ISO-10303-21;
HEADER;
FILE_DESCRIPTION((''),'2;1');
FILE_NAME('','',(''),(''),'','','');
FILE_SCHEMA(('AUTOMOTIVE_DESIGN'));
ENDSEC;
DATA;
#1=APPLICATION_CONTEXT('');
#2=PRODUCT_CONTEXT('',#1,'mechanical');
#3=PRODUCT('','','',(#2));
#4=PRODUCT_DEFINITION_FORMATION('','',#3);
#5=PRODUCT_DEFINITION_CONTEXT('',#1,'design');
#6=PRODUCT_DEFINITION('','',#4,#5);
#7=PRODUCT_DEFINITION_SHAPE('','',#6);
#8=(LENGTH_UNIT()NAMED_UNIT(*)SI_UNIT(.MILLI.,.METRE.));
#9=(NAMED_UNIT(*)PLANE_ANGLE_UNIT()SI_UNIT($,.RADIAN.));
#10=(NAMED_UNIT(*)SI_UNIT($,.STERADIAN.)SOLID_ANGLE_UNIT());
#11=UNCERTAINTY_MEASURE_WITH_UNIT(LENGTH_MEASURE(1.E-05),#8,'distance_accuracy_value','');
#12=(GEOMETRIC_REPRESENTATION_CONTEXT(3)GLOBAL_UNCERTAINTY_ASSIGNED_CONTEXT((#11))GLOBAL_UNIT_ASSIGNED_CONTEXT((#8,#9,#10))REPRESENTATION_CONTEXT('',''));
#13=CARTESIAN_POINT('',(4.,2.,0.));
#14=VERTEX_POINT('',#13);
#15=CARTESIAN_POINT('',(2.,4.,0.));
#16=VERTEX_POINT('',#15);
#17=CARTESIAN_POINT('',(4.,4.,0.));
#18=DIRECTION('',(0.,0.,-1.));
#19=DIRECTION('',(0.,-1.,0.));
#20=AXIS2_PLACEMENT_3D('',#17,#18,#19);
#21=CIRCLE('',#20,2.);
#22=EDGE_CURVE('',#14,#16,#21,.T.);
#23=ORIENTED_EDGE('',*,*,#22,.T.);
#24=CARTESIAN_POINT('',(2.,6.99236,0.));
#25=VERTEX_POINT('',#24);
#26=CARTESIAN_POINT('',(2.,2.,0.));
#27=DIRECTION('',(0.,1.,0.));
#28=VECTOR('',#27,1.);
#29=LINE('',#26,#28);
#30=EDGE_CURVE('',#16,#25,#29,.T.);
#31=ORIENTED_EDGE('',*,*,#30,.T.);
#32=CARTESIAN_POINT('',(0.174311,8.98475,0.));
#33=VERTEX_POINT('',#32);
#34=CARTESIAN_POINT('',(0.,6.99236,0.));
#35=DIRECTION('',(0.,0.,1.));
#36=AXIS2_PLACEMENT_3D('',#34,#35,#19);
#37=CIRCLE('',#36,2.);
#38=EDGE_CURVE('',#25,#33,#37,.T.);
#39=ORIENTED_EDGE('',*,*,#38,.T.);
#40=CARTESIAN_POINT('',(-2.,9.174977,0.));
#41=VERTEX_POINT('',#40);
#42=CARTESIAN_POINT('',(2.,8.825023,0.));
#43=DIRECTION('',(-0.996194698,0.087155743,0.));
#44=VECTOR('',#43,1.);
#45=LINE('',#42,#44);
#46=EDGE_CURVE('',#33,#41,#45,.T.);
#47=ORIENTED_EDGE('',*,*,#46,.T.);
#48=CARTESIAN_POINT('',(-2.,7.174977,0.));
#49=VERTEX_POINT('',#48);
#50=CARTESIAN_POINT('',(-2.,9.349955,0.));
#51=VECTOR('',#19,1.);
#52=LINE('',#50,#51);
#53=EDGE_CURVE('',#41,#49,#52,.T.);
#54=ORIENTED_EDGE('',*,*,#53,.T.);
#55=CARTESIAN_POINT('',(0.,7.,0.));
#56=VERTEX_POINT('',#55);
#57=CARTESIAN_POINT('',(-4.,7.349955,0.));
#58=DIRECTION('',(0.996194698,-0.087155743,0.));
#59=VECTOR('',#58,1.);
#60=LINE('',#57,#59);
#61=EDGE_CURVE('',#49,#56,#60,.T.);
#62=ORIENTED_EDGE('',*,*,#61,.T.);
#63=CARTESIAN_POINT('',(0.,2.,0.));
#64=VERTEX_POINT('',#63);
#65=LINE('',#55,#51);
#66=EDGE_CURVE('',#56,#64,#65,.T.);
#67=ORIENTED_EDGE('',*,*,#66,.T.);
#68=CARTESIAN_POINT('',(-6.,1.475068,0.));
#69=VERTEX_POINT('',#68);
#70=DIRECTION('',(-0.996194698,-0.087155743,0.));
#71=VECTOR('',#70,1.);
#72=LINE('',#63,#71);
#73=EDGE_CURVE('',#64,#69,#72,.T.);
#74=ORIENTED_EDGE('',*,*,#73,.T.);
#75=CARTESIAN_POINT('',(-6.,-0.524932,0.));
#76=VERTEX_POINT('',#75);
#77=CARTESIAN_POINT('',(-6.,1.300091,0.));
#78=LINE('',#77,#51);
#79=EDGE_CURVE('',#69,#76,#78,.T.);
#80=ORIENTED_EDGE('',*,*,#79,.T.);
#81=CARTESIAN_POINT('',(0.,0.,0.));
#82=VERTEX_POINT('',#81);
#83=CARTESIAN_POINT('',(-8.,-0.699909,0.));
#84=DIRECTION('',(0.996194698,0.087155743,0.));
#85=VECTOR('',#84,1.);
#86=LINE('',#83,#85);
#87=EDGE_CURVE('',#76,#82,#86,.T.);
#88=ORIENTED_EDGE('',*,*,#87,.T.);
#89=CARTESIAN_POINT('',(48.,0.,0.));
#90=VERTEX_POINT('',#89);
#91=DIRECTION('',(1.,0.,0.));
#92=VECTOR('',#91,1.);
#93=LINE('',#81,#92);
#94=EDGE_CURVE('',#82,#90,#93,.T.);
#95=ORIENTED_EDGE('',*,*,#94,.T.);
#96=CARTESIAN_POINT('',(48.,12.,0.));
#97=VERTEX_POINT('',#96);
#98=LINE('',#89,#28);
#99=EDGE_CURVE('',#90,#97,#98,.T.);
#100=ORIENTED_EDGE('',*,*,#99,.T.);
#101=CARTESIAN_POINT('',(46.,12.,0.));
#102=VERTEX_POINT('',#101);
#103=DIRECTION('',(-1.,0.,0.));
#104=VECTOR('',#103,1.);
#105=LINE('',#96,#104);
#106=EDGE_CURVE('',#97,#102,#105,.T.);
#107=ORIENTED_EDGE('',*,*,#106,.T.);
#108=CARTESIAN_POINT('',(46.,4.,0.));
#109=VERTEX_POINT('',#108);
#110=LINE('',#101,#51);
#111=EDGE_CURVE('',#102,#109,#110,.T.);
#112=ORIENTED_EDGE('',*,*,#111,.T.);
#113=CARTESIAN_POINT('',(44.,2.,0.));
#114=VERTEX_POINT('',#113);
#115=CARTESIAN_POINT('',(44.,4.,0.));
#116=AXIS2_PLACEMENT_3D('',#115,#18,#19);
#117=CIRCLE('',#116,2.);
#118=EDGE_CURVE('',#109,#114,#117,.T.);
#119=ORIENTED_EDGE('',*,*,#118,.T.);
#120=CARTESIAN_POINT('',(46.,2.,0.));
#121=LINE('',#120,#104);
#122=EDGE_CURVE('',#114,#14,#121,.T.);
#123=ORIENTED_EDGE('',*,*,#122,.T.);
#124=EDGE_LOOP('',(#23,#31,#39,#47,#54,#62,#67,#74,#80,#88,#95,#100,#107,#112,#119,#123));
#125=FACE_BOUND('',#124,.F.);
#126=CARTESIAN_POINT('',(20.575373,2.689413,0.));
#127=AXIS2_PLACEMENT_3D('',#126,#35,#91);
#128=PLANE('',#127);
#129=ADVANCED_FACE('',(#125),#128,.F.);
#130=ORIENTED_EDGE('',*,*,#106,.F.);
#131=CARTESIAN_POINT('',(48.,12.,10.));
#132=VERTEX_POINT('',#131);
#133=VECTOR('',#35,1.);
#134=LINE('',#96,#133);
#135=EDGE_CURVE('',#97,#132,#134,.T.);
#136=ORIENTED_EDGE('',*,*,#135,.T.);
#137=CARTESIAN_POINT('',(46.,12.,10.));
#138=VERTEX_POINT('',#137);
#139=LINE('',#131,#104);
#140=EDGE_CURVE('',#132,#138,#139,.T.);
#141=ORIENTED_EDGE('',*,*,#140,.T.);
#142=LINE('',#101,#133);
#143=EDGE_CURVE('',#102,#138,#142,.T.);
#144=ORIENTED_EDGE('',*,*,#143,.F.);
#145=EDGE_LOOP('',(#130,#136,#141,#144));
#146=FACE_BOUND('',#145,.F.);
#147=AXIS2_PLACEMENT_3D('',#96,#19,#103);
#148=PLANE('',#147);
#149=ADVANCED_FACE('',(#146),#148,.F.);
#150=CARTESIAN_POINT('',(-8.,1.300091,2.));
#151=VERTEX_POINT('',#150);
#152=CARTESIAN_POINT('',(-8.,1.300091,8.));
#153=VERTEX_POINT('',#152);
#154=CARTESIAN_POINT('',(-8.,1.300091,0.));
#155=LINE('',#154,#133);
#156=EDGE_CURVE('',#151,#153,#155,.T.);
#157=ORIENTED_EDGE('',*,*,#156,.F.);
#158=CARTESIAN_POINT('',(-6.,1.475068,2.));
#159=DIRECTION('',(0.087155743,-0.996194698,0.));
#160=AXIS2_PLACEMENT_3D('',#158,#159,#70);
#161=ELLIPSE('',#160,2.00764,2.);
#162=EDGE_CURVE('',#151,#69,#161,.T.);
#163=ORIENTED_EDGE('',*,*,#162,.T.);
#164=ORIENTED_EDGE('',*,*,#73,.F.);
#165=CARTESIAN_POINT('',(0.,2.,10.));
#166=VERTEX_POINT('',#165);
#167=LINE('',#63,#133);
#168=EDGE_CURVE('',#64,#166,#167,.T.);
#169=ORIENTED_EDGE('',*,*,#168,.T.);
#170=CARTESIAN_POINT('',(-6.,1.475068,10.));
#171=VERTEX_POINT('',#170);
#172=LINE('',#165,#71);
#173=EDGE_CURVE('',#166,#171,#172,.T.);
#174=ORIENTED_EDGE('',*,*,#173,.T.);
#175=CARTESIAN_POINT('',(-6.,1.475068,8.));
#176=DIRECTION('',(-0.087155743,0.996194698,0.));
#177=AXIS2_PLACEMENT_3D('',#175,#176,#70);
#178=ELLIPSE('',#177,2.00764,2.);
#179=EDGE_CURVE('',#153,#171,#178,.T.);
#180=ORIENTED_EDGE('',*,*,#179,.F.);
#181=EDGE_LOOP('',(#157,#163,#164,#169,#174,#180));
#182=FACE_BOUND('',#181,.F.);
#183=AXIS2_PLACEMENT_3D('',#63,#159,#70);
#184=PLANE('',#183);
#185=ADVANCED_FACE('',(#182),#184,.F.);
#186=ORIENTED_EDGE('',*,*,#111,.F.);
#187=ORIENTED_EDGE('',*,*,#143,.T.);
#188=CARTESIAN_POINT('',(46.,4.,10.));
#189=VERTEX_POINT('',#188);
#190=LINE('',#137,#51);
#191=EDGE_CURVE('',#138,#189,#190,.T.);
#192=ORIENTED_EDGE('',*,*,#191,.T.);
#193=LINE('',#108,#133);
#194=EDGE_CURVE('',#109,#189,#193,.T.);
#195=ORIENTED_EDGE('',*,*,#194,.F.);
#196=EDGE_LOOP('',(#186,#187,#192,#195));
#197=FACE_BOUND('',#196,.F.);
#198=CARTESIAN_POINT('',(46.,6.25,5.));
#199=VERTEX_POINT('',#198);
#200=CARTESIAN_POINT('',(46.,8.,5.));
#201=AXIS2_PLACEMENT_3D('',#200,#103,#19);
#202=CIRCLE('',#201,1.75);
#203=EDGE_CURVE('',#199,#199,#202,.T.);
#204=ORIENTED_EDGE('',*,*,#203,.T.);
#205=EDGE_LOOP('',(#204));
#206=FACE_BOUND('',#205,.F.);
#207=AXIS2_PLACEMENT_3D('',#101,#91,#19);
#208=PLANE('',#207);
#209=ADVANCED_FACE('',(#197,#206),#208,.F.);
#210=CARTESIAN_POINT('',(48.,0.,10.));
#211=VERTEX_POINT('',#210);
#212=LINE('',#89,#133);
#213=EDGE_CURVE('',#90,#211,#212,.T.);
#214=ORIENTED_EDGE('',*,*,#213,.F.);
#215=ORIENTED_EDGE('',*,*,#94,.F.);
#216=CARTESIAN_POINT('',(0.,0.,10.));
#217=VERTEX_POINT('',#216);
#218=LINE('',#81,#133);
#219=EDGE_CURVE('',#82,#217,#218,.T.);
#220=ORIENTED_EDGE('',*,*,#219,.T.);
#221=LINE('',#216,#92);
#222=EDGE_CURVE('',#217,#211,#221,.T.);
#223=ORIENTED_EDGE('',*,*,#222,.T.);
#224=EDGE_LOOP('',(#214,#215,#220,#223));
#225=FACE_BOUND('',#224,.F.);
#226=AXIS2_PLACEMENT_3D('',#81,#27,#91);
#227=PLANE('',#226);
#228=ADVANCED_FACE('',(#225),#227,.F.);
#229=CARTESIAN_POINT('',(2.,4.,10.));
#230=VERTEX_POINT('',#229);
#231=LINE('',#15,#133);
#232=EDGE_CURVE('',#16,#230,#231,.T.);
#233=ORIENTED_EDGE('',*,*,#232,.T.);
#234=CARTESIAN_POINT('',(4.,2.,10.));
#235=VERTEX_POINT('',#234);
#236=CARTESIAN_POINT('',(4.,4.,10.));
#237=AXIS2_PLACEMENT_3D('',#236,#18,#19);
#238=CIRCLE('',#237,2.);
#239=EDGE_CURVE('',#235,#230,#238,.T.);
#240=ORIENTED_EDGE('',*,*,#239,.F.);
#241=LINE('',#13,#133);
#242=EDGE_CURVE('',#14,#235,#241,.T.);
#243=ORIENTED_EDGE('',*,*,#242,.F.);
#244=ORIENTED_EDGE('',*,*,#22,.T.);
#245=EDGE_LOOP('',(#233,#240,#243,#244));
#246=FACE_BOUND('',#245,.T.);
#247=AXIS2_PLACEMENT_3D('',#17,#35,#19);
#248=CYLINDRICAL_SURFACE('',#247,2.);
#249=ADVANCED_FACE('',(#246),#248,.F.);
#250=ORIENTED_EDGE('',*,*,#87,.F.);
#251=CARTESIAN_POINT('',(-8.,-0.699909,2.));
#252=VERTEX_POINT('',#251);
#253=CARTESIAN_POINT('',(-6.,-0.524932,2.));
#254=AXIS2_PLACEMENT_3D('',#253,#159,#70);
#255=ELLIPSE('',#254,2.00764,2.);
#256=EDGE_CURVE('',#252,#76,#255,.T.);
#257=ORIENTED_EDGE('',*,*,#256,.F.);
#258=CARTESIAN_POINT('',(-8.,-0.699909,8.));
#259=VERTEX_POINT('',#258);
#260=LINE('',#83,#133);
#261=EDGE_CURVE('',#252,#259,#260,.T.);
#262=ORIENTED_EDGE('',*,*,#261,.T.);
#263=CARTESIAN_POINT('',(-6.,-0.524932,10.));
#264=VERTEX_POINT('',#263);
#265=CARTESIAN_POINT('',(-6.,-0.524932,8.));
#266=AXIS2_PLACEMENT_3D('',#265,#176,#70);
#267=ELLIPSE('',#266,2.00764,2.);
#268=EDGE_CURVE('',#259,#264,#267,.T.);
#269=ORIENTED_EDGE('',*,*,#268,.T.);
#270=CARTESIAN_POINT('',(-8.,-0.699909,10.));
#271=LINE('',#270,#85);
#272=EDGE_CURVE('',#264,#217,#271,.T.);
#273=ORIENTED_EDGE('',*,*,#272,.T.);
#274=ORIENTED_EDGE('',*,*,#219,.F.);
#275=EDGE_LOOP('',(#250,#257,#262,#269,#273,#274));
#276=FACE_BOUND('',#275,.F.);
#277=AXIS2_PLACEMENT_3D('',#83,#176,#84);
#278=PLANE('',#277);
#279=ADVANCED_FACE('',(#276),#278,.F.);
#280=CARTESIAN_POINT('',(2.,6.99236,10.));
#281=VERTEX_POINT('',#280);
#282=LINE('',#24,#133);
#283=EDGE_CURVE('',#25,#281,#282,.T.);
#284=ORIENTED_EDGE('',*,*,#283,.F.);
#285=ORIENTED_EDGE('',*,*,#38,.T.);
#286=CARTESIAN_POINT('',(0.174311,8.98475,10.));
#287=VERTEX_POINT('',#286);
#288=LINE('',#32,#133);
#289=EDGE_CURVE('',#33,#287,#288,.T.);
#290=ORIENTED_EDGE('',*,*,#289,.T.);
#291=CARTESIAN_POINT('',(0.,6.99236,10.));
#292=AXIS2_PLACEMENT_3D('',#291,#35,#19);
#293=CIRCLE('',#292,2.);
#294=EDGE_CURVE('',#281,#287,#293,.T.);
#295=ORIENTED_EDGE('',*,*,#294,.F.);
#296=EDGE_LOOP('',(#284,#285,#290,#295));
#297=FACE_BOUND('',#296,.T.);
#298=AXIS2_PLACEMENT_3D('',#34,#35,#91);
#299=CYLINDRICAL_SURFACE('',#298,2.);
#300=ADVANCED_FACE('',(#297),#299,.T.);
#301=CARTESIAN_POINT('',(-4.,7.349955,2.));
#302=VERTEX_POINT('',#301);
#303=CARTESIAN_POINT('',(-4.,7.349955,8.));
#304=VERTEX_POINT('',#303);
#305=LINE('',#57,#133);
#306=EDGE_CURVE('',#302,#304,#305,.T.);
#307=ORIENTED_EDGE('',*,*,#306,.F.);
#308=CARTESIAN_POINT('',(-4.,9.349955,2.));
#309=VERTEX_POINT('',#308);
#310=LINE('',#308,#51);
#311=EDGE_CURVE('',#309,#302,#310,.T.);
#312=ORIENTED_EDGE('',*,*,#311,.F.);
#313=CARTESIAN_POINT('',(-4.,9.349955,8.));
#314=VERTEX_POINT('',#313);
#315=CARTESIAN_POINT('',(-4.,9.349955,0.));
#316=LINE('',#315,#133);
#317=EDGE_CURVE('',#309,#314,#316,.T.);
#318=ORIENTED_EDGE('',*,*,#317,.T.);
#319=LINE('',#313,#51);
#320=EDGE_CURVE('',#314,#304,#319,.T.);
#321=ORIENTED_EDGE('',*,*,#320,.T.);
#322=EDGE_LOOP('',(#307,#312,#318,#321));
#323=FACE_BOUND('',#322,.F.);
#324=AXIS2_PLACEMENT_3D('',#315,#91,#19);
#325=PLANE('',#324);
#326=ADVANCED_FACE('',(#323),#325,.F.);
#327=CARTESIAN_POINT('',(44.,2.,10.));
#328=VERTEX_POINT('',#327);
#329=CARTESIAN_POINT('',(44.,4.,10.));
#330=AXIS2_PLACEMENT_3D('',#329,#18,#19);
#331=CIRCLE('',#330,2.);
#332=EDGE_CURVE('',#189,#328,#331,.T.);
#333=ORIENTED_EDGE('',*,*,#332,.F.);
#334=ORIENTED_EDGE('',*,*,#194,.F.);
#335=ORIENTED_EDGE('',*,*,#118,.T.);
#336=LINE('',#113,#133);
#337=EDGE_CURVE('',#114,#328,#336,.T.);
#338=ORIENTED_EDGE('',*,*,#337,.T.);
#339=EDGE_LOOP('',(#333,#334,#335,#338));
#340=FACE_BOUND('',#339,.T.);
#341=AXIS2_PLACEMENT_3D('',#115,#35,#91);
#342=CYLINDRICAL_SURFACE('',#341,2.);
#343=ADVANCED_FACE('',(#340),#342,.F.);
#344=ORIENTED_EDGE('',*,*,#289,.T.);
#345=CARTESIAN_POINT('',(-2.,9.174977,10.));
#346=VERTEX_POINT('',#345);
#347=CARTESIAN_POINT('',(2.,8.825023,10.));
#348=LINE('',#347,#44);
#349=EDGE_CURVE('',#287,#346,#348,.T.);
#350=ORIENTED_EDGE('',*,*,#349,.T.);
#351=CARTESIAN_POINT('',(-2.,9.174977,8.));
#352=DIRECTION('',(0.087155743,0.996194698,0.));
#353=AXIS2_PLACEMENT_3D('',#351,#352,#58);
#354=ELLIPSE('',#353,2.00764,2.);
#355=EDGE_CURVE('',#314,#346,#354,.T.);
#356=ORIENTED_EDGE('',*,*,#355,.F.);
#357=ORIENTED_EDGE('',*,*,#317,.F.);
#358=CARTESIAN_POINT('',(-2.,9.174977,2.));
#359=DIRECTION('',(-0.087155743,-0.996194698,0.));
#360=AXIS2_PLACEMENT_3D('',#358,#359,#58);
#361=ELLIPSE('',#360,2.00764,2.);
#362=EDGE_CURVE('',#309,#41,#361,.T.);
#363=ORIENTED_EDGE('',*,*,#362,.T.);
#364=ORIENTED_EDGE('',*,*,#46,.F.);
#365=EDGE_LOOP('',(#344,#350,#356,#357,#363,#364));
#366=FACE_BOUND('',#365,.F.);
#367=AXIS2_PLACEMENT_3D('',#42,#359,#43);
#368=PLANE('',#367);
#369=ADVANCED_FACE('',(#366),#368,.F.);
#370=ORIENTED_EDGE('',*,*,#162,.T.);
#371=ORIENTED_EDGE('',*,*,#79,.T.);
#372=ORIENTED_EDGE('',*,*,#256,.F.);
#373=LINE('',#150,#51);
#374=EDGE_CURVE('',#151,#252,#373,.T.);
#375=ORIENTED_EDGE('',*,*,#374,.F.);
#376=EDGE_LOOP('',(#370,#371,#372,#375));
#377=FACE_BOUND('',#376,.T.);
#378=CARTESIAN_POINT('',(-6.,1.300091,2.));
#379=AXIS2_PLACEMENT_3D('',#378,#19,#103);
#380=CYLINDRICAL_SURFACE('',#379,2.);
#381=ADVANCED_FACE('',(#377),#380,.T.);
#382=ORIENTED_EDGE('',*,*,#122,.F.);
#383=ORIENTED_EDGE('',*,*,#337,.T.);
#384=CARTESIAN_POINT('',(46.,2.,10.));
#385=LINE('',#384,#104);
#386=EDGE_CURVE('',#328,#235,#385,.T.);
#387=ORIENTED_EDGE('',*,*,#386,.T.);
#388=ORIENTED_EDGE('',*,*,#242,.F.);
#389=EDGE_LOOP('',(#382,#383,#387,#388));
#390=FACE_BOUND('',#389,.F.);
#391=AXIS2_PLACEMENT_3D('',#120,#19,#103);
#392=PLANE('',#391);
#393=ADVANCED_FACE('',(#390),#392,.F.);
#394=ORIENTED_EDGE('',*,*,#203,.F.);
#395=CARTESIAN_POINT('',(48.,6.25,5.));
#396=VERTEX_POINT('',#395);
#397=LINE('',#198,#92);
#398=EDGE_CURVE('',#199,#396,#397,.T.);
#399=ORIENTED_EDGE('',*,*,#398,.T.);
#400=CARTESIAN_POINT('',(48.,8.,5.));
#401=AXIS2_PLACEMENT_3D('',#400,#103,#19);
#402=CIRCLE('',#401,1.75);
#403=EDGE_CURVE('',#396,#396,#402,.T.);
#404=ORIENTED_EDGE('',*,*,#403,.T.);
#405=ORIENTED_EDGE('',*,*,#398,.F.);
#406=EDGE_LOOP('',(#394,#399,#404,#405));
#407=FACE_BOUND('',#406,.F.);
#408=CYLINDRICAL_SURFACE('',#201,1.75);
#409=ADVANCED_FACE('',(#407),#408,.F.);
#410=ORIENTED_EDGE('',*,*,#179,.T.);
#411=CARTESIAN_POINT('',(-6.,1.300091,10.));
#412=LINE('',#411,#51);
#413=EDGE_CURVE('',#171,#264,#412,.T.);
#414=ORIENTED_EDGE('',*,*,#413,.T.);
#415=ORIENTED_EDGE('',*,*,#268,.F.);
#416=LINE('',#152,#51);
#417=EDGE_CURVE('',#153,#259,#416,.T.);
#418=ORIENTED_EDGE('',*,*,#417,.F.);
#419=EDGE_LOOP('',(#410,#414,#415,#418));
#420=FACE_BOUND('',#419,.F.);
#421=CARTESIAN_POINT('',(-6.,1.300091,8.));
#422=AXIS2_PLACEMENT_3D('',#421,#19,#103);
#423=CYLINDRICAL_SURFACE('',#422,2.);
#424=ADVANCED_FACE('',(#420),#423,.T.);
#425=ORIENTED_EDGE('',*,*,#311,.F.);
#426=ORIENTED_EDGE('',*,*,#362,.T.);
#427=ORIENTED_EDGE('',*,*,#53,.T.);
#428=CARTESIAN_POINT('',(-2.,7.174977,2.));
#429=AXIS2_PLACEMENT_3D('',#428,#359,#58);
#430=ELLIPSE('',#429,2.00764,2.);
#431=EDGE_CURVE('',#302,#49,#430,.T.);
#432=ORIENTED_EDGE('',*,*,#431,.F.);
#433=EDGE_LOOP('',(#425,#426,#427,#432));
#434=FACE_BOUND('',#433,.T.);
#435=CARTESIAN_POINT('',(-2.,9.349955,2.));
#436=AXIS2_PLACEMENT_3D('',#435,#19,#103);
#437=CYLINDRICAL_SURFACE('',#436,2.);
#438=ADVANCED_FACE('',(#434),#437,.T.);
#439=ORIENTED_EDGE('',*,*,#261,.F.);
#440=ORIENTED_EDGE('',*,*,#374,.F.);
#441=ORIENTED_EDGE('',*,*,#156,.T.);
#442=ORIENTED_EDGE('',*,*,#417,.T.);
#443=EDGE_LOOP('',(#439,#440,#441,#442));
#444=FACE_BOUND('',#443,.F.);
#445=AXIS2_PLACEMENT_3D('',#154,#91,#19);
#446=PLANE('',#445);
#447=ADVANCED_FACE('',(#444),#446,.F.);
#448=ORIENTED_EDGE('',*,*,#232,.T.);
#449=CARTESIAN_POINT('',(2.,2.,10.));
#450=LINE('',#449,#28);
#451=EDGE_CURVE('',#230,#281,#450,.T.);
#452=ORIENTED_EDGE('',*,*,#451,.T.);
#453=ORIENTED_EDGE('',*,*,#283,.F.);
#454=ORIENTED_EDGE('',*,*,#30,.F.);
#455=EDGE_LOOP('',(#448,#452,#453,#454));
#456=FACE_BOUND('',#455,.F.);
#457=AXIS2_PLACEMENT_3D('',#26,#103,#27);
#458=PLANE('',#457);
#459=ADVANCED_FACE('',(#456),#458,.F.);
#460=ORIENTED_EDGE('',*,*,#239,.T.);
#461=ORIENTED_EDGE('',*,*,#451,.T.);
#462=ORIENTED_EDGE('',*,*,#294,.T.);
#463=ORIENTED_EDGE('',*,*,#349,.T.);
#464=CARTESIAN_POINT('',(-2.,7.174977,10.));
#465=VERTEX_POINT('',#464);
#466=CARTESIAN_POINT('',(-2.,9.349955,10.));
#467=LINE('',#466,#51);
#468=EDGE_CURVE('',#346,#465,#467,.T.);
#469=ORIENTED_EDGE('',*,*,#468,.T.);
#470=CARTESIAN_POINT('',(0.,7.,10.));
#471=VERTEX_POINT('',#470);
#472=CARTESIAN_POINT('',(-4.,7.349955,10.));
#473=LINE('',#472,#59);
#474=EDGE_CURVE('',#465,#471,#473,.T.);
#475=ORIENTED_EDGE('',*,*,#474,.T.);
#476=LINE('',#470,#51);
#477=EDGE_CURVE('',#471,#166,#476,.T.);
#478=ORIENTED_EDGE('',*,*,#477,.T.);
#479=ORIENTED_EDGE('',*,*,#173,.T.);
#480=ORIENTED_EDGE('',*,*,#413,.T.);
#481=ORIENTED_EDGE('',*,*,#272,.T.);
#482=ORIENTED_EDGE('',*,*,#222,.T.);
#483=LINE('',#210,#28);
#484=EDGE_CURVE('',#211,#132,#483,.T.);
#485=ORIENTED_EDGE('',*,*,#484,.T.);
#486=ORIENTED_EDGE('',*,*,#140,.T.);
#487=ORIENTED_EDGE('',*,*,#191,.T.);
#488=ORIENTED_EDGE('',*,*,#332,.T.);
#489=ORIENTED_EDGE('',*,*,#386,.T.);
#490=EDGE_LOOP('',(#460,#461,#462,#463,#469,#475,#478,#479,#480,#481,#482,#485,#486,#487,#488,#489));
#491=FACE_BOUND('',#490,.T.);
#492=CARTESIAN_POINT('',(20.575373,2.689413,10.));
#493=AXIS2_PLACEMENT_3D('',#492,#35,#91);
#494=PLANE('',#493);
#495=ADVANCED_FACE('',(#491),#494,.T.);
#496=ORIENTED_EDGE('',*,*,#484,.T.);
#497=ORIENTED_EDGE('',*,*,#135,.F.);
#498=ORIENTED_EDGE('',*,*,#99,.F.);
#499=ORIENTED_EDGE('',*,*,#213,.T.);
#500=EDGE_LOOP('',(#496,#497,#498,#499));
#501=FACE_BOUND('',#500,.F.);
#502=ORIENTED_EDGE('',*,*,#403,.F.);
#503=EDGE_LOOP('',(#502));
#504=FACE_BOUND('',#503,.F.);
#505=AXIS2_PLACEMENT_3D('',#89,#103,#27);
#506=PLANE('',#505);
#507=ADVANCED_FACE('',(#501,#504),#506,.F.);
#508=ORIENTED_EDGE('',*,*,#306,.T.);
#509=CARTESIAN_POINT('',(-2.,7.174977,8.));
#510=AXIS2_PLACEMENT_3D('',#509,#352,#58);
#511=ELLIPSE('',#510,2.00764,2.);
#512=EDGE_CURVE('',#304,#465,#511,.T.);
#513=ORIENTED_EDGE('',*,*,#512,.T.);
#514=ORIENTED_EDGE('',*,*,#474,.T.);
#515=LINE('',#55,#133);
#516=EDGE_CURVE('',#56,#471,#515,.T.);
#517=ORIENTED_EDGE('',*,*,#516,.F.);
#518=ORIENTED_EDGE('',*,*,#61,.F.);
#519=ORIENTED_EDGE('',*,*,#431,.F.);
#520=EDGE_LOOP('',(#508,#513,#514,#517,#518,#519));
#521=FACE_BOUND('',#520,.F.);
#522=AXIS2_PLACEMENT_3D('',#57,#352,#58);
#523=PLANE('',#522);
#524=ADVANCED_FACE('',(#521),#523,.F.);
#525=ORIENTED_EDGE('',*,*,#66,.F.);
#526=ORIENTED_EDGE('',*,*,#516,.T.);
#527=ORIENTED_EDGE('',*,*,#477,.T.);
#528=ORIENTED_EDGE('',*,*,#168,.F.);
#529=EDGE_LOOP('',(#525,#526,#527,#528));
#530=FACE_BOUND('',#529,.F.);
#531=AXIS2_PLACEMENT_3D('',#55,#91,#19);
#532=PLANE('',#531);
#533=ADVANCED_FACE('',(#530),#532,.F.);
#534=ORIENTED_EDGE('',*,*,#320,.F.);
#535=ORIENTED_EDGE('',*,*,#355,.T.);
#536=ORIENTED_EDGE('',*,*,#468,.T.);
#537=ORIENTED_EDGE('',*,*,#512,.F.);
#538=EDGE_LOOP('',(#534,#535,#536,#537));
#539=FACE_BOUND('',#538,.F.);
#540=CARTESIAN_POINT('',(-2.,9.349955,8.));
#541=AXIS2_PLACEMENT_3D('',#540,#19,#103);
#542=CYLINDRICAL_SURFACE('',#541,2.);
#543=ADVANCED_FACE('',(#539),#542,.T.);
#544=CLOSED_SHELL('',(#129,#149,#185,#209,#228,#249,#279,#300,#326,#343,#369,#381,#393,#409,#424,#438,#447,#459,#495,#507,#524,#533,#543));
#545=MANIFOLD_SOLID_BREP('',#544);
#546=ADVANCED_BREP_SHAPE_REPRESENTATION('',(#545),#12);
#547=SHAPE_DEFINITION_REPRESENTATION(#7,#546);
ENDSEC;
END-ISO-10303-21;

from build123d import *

# Parameters (mm, degrees)
F1_DEPTH = 10
F2_R     = 2
F4_D     = 3.5
F4_DEPTH = 2.001


with BuildPart() as f1:
    # F0 (on Top) → F1 (new body)
    with BuildSketch(Plane.XY):
        Polygon((0, 0), (48, 0), (48, 12), (46, 12), (46, 2), (2, 2), (2, 8.8250226729), (-4, 9.3499546541), (-4, 7.3499546541), (0, 7), (0, 2), (-8, 1.3000906918), (-8, -0.6999093082), align=None)
    extrude(amount=F1_DEPTH)

    # F2
    f2_edges = [f1.edges().sort_by_distance(p)[0] for p in [
        (-8, 0.300091, 10),
        (-8, 0.300091, 0),
        (-4, 8.349955, 0),
        (-4, 8.349955, 10),
        (2, 2, 5),
        (2, 8.825023, 5),
        (46, 2, 5),
    ]]
    fillet(f2_edges, radius=F2_R)

    # F4 (through all, one way)
    with BuildSketch(Plane(origin=(46, 0, 0), x_dir=(0, -1, 0), z_dir=(-1, 0, 0))):
        with Locations((-8, 5)):
            Circle(F4_D / 2)
    extrude(amount=-F4_DEPTH, mode=Mode.SUBTRACT)


solid = f1.part
